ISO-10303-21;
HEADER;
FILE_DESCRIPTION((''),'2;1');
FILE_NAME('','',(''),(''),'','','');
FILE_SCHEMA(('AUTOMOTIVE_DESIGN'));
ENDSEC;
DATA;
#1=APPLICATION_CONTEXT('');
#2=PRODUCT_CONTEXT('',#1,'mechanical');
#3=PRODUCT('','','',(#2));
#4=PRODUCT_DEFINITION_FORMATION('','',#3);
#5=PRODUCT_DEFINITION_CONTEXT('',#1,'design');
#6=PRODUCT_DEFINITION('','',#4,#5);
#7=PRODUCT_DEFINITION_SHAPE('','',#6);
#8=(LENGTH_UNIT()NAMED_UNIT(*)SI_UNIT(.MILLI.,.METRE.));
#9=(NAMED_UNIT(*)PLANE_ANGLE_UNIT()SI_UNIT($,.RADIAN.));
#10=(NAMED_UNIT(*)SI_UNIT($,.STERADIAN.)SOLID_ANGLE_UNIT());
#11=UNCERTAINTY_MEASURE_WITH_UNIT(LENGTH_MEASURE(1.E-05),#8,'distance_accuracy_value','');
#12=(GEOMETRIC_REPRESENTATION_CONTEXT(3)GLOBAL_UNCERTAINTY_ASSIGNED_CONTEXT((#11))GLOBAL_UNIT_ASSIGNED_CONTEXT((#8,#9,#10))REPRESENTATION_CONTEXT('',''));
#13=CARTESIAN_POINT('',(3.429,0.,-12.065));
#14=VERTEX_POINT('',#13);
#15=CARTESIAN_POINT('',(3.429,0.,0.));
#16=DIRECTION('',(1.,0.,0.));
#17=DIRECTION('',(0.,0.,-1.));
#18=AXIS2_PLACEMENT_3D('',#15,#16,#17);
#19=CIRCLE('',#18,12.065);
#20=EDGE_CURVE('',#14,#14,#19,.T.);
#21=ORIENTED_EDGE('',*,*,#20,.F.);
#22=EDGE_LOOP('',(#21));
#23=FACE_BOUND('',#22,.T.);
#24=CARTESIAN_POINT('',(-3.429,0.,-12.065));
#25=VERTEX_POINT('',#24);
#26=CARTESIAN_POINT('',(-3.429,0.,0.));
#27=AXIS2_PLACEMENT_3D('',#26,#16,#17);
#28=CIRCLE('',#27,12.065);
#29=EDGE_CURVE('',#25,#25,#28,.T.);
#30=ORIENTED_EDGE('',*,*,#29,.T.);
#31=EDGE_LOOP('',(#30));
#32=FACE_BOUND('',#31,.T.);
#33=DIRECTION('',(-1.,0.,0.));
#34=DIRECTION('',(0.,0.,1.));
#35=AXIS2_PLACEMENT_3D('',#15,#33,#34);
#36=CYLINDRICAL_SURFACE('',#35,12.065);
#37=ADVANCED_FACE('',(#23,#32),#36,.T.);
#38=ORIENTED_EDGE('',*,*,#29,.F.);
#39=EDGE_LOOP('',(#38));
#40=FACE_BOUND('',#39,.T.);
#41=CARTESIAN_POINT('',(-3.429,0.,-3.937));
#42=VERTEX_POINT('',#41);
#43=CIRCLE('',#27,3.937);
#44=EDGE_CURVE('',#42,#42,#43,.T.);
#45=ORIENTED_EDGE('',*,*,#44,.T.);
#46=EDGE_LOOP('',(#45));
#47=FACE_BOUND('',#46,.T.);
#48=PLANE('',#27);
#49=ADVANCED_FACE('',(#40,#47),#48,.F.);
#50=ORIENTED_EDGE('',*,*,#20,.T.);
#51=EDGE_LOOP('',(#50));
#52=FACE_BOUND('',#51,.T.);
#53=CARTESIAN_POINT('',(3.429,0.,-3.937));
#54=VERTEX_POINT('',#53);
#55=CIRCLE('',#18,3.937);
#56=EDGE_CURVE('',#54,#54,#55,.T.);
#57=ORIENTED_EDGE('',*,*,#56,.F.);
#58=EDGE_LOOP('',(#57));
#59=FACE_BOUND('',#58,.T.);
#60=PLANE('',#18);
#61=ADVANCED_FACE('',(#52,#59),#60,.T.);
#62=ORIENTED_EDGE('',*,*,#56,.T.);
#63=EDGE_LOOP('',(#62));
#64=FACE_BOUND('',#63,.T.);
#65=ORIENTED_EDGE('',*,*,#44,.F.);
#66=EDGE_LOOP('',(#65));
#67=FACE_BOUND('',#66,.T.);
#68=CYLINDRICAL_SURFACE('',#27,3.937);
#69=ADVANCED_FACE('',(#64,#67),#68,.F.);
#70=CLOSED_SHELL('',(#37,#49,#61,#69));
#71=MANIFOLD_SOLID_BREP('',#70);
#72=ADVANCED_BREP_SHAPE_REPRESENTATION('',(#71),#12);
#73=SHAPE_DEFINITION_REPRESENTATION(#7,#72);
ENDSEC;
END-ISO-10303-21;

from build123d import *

# Parameters (mm, degrees)
SKETCH1_R           = 12.065
BOSS_EXTRUDE1_DEPTH = 3.429
SKETCH2_R           = 3.937
CUT_EXTRUDE1_DEPTH  = 7.858


with BuildPart() as part:
    # Sketch1 → Boss-Extrude1 (new body, symmetric)
    with BuildSketch(Plane(origin=(0, 0, 0), x_dir=(0, 0, -1), z_dir=(1, 0, 0))):
        Circle(SKETCH1_R)
    extrude(amount=BOSS_EXTRUDE1_DEPTH, both=True)

    # Sketch2 → Cut-Extrude1 (cut, through all)
    with BuildSketch(Plane(origin=(3.429, 0, 0), x_dir=(0, 0, -1), z_dir=(1, 0, 0))):
        Circle(SKETCH2_R)
    extrude(amount=-CUT_EXTRUDE1_DEPTH, mode=Mode.SUBTRACT)


solid = part.part
